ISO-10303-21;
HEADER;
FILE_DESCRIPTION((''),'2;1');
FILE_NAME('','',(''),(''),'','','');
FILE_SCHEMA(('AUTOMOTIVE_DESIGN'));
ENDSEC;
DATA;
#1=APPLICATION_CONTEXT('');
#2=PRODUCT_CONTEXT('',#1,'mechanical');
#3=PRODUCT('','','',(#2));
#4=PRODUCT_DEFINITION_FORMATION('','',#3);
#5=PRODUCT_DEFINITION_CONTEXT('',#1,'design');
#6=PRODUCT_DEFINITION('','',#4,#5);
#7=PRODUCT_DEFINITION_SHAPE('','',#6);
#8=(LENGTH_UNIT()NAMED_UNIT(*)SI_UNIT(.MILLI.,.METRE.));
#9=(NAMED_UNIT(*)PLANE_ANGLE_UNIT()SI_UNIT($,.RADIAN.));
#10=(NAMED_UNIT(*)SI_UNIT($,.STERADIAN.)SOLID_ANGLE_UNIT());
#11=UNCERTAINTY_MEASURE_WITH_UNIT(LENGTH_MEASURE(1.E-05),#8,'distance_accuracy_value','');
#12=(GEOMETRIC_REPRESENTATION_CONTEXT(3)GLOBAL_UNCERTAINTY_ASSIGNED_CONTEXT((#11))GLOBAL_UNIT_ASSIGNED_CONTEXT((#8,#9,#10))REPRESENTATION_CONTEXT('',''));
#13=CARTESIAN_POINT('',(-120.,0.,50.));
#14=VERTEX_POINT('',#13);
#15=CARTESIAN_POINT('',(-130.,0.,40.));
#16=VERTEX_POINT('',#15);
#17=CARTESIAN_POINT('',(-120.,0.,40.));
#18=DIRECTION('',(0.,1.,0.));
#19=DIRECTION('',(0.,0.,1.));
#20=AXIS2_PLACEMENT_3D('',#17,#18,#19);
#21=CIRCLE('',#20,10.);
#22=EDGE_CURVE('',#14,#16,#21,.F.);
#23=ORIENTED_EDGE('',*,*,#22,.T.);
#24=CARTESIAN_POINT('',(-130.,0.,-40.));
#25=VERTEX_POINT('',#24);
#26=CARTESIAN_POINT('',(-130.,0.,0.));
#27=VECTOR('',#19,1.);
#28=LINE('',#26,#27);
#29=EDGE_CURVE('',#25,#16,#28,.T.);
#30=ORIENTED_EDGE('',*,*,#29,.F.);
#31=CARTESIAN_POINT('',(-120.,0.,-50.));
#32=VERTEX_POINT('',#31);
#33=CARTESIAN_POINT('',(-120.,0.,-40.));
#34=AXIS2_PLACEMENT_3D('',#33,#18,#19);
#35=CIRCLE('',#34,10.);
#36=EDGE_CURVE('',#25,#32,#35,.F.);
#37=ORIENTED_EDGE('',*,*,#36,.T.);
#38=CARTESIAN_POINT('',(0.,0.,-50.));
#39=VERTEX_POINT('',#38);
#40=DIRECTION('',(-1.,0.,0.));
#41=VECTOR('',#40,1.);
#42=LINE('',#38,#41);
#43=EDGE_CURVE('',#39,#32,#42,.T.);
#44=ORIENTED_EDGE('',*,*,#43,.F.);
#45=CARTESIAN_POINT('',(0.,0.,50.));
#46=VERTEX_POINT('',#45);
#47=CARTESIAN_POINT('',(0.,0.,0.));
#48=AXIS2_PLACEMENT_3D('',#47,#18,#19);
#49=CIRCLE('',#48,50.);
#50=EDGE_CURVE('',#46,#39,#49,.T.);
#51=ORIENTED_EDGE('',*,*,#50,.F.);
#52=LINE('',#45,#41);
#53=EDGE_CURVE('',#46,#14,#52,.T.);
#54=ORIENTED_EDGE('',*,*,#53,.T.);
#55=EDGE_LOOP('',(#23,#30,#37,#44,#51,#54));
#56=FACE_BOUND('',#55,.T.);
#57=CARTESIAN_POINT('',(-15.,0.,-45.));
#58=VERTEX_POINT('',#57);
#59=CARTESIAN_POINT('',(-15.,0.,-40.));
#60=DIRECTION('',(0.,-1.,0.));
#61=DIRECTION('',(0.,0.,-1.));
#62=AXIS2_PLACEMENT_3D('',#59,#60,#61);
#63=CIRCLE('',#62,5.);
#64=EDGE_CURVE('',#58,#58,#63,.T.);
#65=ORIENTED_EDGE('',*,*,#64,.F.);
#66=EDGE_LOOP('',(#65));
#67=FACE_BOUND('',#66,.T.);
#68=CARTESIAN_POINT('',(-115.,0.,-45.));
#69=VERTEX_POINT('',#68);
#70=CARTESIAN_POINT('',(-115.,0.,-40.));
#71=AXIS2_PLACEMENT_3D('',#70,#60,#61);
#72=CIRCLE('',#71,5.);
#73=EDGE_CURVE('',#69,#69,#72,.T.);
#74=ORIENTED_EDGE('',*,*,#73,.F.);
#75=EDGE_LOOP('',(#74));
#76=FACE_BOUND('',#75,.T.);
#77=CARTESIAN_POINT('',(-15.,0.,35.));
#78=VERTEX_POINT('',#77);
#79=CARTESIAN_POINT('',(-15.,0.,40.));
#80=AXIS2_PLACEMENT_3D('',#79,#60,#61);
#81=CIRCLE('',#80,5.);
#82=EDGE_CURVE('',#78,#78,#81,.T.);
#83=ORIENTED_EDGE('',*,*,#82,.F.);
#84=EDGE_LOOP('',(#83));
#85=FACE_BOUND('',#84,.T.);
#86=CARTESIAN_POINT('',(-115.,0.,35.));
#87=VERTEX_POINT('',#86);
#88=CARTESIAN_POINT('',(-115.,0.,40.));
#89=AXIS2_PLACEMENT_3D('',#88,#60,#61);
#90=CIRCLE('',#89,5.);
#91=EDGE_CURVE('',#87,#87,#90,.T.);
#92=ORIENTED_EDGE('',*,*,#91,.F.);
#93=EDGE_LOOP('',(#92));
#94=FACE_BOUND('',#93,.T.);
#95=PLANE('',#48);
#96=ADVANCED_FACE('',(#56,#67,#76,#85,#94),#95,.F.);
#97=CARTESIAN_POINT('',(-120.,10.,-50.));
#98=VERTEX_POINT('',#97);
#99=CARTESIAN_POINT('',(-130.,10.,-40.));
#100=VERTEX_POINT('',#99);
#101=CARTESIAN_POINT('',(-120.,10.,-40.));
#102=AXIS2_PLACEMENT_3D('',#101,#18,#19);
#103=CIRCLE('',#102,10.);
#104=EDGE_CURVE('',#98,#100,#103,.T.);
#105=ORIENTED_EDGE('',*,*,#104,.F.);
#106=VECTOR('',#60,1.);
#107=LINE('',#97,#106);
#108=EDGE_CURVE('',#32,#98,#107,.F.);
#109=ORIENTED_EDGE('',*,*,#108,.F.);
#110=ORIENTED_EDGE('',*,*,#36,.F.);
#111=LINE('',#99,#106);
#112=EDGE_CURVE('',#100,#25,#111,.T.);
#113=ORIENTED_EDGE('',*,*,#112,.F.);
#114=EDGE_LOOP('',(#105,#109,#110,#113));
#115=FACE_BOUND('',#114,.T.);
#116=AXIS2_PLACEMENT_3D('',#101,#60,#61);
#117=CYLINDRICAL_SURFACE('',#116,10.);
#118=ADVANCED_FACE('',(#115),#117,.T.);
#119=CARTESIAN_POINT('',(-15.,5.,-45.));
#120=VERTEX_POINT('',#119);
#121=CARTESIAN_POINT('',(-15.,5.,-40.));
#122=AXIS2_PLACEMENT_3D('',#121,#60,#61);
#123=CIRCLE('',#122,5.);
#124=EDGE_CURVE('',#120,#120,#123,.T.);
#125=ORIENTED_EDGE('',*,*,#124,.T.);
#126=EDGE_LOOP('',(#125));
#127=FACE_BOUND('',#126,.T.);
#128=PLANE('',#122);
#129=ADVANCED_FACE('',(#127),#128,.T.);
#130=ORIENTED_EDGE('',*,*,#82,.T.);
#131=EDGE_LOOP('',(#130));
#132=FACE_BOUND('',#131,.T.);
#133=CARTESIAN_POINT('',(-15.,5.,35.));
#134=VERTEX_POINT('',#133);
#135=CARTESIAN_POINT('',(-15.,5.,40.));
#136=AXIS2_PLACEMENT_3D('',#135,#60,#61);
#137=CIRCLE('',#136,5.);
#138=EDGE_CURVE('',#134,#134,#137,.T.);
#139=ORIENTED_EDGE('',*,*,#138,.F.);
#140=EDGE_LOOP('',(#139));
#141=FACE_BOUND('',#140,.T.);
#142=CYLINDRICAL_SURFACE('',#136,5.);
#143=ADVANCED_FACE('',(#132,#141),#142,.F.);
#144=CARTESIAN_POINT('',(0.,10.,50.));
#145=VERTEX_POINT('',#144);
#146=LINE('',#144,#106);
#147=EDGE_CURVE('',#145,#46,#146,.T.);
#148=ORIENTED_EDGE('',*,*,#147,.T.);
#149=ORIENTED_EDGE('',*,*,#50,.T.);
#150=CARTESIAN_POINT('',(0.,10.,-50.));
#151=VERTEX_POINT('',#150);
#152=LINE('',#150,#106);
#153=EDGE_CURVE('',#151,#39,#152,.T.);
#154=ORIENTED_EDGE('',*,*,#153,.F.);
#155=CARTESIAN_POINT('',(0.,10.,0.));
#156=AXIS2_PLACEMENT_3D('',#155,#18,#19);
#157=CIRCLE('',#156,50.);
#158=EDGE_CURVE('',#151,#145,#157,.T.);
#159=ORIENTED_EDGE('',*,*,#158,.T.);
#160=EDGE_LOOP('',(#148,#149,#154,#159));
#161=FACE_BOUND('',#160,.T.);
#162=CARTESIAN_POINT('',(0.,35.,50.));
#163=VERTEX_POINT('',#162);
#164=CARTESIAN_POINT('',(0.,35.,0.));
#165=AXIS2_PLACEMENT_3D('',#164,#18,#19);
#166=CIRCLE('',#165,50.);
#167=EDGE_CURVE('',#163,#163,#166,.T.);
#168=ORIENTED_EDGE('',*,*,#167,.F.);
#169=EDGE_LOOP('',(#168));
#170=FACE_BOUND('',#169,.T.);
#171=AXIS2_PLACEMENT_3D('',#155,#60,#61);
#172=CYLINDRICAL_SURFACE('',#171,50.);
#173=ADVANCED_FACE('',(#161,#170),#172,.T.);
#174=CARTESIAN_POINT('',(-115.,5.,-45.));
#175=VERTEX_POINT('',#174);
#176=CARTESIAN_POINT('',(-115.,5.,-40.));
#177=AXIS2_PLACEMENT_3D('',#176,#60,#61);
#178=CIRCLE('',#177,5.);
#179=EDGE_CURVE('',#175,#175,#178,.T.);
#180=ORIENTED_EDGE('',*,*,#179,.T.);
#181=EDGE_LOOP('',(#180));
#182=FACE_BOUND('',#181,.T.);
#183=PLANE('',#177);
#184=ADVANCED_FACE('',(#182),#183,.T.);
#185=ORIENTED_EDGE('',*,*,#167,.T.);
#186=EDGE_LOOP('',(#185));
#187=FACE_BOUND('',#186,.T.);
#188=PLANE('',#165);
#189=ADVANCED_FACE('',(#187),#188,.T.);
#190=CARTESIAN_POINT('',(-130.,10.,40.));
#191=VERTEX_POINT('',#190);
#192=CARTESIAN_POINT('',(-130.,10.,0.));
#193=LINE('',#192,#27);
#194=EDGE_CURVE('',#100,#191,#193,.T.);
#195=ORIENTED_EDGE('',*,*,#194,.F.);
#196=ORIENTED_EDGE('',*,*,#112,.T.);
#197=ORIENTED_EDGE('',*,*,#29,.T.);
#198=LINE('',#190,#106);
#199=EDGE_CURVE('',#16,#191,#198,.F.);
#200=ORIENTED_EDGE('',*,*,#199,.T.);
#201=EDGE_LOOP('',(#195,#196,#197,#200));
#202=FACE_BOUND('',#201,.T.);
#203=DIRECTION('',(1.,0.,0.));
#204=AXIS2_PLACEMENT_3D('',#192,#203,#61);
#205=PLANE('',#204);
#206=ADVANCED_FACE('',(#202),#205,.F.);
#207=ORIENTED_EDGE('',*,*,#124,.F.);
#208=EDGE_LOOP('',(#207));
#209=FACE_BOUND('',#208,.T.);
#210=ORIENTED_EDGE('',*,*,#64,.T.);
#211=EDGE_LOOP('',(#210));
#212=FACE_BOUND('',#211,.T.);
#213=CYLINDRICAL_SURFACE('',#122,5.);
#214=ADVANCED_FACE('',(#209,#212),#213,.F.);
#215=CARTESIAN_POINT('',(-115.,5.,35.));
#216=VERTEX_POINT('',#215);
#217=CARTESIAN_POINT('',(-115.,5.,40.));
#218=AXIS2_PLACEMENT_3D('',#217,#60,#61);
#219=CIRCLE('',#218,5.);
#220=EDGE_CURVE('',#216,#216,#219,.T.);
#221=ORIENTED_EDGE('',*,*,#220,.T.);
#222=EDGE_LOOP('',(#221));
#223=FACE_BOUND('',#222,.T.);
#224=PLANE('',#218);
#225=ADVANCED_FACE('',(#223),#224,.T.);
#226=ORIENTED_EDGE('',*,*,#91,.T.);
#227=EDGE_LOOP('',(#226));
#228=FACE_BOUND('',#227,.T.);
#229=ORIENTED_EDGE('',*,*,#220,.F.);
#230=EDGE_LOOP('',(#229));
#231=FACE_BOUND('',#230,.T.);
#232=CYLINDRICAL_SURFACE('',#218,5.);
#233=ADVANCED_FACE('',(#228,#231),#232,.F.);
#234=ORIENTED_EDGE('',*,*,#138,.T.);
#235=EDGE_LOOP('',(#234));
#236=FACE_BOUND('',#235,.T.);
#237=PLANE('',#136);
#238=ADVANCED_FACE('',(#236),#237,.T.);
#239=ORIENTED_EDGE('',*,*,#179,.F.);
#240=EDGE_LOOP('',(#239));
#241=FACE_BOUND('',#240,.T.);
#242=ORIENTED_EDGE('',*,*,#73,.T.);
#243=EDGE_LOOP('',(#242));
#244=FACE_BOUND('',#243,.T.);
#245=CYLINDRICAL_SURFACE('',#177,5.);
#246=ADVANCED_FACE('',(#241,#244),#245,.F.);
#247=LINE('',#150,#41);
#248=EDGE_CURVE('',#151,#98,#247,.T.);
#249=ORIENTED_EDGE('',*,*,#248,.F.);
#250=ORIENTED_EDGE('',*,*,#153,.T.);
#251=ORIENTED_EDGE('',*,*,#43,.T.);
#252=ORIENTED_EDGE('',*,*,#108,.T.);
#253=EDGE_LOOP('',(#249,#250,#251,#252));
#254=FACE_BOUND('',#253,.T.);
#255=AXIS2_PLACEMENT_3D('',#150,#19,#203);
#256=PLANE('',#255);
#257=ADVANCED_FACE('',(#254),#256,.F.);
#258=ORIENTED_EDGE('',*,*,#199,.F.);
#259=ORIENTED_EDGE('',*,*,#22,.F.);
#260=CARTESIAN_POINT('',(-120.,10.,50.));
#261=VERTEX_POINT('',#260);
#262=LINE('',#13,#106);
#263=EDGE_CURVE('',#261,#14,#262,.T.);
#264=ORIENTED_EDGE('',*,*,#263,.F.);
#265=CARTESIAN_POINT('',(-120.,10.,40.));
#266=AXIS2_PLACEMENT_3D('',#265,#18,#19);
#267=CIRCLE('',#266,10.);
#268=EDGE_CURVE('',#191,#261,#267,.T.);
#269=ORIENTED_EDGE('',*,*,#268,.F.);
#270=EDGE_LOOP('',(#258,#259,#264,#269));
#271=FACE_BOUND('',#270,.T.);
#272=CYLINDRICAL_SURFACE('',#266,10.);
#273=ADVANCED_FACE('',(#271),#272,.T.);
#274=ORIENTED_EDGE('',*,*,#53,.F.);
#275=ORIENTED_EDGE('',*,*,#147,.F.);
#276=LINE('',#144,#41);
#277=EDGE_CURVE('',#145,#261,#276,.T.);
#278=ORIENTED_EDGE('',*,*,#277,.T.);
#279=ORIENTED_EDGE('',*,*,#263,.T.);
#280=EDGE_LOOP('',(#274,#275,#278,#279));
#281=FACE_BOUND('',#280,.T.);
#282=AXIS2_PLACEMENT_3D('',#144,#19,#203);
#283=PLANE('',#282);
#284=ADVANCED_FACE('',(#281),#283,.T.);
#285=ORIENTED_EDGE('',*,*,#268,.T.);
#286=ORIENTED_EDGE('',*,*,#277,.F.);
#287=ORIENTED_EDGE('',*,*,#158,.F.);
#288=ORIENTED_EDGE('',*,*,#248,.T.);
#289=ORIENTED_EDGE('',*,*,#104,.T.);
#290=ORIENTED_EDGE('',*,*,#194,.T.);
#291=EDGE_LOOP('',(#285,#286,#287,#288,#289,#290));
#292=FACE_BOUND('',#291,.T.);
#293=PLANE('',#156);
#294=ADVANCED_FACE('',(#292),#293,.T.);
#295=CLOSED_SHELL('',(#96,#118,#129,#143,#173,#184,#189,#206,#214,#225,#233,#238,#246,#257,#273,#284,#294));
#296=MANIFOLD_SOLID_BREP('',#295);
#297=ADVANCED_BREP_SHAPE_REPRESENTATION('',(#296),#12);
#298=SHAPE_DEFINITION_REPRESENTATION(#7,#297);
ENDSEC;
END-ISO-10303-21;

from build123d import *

# Parameters (mm, degrees)
BOSS_EXTRUDE8_DEPTH = 10
SKETCH8_R           = 50
BOSS_EXTRUDE9_DEPTH = 25
SKETCH9_R           = 5
CUT_EXTRUDE8_DEPTH  = 5
FILLET1_R           = 10


with BuildPart() as part:
    # Sketch1 → Boss-Extrude8 (new body)
    with BuildSketch(Plane(origin=(0, 0, 0), x_dir=(1, 0, 0), z_dir=(0, 1, 0))):
        with BuildLine():
            ThreePointArc((50, 0), (35.355339059, 35.355339059), (0, 50))
            Line((0, 50), (0, -50))
            ThreePointArc((0, -50), (35.355339059, -35.355339059), (50, 0))
        make_face()
        with BuildLine():
            Line((0, -50), (0, 50))
            ThreePointArc((0, 50), (-50, 0), (0, -50))
        make_face()
        with BuildLine():
            ThreePointArc((0, -50), (-50, 0), (0, 50))
            Line((0, 50), (-130, 50))
            Line((-130, 50), (-130, -50))
            Line((-130, -50), (0, -50))
        make_face()
    extrude(amount=BOSS_EXTRUDE8_DEPTH)

    # Sketch8 → Boss-Extrude9 (add)
    with BuildSketch(Plane(origin=(0, 10, 0), x_dir=(1, 0, 0), z_dir=(0, 1, 0))):
        with Locations(Location((0, 0, 0), (0, 0, 270))):
            Circle(SKETCH8_R)
    extrude(amount=BOSS_EXTRUDE9_DEPTH)

    # Sketch9 → Cut-Extrude8 (cut)
    with BuildSketch(Plane.XZ):
        with Locations(Location((-15, 40, 0), (0, 0, 270))):
            Circle(SKETCH9_R)
        with Locations(Location((-15, -40, 0), (0, 0, 270))):
            Circle(SKETCH9_R)
        with Locations(Location((-115, -40, 0), (0, 0, 270))):
            Circle(SKETCH9_R)
        with Locations(Location((-115, 40, 0), (0, 0, 270))):
            Circle(SKETCH9_R)
    extrude(amount=-CUT_EXTRUDE8_DEPTH, mode=Mode.SUBTRACT)

    # Fillet1
    fillet1_edges = [part.edges().sort_by_distance(p)[0] for p in [
        (-130, 5, 50),
        (-130, 5, -50),
    ]]
    fillet(fillet1_edges, radius=FILLET1_R)


solid = part.part
